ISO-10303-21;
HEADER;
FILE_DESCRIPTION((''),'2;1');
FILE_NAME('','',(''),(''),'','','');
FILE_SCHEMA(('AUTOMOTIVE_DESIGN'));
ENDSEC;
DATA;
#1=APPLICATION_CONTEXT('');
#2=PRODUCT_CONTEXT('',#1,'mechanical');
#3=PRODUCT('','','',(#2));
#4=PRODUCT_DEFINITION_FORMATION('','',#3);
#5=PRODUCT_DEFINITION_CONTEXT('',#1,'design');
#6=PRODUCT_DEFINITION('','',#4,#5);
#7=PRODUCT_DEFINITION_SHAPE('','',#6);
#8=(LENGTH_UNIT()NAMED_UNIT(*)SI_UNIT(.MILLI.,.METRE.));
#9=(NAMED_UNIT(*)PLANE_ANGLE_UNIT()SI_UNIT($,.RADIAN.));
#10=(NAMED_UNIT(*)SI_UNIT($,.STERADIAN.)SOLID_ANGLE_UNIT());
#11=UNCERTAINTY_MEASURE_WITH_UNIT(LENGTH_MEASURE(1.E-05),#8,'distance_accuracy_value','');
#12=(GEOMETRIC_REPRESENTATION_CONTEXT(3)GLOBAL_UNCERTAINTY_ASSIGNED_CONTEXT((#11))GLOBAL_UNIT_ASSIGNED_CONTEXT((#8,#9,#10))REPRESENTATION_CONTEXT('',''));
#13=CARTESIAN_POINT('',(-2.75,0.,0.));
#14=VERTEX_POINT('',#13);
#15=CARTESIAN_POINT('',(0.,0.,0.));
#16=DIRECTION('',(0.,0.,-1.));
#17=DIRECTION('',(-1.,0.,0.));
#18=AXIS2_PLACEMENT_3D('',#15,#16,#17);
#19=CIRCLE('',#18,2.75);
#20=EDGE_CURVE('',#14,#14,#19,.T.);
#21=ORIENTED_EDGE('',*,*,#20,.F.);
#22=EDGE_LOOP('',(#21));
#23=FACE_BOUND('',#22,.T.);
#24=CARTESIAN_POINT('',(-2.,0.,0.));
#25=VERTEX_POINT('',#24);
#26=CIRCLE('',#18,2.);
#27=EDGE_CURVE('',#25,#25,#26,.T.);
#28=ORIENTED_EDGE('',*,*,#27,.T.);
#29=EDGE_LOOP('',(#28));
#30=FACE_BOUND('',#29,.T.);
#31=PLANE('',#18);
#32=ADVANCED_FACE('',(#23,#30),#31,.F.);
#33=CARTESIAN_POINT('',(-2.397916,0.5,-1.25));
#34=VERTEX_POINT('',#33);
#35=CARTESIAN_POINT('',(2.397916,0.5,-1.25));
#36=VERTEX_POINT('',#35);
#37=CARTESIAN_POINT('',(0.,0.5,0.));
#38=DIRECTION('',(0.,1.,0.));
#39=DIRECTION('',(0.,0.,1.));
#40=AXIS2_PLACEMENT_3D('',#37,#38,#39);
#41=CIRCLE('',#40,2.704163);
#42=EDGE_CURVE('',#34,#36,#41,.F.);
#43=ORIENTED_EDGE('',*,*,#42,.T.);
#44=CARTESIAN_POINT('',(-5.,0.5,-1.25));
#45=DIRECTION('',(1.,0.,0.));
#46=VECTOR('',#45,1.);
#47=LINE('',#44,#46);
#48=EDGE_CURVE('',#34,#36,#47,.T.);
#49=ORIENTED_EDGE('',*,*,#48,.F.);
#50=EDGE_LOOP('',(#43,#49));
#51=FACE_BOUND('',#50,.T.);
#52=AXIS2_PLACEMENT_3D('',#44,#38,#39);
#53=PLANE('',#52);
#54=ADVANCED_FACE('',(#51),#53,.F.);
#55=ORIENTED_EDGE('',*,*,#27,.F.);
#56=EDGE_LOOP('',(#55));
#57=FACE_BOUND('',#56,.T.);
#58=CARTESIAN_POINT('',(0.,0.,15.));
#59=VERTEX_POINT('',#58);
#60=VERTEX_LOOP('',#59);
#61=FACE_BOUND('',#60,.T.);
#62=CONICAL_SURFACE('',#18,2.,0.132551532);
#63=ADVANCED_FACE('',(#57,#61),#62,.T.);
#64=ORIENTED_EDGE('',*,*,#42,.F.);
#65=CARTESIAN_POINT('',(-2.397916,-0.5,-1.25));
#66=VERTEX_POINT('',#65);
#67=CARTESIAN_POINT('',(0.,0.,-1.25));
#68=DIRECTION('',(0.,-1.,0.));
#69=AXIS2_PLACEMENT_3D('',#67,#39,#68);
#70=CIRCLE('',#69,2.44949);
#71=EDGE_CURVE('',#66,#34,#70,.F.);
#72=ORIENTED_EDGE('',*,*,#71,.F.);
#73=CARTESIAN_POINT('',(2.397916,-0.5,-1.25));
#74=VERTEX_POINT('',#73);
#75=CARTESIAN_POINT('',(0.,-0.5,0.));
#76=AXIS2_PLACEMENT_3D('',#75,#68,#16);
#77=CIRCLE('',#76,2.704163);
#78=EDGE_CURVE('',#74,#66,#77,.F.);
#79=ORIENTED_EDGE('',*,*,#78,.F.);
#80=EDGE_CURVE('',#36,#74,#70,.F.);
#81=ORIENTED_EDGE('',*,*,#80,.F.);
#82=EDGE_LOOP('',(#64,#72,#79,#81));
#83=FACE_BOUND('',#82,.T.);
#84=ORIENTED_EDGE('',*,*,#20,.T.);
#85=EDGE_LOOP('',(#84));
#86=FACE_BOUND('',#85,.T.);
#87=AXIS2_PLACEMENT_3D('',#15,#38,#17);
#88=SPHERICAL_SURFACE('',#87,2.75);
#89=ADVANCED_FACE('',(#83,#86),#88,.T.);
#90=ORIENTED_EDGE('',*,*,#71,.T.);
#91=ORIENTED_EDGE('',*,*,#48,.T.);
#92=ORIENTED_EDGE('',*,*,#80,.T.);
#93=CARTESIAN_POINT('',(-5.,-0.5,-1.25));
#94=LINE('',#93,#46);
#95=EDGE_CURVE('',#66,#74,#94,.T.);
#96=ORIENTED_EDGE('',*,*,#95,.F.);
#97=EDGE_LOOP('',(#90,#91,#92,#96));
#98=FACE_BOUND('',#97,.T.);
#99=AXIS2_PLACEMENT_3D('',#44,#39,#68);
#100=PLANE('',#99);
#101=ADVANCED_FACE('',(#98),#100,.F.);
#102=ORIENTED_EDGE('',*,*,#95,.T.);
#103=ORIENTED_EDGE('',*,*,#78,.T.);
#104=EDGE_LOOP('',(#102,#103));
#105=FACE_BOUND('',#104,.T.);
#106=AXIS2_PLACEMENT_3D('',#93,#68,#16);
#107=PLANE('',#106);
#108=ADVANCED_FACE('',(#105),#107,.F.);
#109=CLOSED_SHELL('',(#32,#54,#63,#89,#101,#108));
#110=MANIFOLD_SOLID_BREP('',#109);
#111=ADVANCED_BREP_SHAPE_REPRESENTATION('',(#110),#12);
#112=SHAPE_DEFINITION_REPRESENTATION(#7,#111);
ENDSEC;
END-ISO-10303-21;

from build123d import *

# Parameters (mm, degrees)
REVOLVE2_ANGLE     = 180
SKETCH13_W         = 3
SKETCH13_H         = 1
CUT_EXTRUDE1_DEPTH = 5


with BuildPart() as part:
    # Sketch2 → Revolve1 (revolve)
    with BuildSketch(Plane(origin=(0, 0, 0), x_dir=(1, 0, 0), z_dir=(0, 1, 0)), mode=Mode.PRIVATE) as revolve1_sk:
        Polygon((0, 0), (2, 0), (0, -15), align=None)
    revolve(revolve1_sk.sketch.rotate(Axis((0, 0, 15), (0, 0, -1)), 180), axis=Axis((0, 0, 15), (0, 0, -1)))

    # Sketch12 → Revolve2 (revolve)
    with BuildSketch(Plane.XY):
        with BuildLine():
            Line((0, 2.75), (0, -2.75))
            ThreePointArc((0, -2.75), (-2.75, 0), (0, 2.75))
        make_face()
    revolve(axis=Axis((0, 2.75, 0), (0, -1, 0)), revolution_arc=REVOLVE2_ANGLE)

    # Sketch13 → Cut-Extrude1 (cut, symmetric)
    with BuildSketch(Plane(origin=(0, 0, 0), x_dir=(0, 0, -1), z_dir=(1, 0, 0))):
        with Locations((2.75, 0)):
            Rectangle(SKETCH13_W, SKETCH13_H)
    extrude(amount=CUT_EXTRUDE1_DEPTH, both=True, mode=Mode.SUBTRACT)


solid = part.part
